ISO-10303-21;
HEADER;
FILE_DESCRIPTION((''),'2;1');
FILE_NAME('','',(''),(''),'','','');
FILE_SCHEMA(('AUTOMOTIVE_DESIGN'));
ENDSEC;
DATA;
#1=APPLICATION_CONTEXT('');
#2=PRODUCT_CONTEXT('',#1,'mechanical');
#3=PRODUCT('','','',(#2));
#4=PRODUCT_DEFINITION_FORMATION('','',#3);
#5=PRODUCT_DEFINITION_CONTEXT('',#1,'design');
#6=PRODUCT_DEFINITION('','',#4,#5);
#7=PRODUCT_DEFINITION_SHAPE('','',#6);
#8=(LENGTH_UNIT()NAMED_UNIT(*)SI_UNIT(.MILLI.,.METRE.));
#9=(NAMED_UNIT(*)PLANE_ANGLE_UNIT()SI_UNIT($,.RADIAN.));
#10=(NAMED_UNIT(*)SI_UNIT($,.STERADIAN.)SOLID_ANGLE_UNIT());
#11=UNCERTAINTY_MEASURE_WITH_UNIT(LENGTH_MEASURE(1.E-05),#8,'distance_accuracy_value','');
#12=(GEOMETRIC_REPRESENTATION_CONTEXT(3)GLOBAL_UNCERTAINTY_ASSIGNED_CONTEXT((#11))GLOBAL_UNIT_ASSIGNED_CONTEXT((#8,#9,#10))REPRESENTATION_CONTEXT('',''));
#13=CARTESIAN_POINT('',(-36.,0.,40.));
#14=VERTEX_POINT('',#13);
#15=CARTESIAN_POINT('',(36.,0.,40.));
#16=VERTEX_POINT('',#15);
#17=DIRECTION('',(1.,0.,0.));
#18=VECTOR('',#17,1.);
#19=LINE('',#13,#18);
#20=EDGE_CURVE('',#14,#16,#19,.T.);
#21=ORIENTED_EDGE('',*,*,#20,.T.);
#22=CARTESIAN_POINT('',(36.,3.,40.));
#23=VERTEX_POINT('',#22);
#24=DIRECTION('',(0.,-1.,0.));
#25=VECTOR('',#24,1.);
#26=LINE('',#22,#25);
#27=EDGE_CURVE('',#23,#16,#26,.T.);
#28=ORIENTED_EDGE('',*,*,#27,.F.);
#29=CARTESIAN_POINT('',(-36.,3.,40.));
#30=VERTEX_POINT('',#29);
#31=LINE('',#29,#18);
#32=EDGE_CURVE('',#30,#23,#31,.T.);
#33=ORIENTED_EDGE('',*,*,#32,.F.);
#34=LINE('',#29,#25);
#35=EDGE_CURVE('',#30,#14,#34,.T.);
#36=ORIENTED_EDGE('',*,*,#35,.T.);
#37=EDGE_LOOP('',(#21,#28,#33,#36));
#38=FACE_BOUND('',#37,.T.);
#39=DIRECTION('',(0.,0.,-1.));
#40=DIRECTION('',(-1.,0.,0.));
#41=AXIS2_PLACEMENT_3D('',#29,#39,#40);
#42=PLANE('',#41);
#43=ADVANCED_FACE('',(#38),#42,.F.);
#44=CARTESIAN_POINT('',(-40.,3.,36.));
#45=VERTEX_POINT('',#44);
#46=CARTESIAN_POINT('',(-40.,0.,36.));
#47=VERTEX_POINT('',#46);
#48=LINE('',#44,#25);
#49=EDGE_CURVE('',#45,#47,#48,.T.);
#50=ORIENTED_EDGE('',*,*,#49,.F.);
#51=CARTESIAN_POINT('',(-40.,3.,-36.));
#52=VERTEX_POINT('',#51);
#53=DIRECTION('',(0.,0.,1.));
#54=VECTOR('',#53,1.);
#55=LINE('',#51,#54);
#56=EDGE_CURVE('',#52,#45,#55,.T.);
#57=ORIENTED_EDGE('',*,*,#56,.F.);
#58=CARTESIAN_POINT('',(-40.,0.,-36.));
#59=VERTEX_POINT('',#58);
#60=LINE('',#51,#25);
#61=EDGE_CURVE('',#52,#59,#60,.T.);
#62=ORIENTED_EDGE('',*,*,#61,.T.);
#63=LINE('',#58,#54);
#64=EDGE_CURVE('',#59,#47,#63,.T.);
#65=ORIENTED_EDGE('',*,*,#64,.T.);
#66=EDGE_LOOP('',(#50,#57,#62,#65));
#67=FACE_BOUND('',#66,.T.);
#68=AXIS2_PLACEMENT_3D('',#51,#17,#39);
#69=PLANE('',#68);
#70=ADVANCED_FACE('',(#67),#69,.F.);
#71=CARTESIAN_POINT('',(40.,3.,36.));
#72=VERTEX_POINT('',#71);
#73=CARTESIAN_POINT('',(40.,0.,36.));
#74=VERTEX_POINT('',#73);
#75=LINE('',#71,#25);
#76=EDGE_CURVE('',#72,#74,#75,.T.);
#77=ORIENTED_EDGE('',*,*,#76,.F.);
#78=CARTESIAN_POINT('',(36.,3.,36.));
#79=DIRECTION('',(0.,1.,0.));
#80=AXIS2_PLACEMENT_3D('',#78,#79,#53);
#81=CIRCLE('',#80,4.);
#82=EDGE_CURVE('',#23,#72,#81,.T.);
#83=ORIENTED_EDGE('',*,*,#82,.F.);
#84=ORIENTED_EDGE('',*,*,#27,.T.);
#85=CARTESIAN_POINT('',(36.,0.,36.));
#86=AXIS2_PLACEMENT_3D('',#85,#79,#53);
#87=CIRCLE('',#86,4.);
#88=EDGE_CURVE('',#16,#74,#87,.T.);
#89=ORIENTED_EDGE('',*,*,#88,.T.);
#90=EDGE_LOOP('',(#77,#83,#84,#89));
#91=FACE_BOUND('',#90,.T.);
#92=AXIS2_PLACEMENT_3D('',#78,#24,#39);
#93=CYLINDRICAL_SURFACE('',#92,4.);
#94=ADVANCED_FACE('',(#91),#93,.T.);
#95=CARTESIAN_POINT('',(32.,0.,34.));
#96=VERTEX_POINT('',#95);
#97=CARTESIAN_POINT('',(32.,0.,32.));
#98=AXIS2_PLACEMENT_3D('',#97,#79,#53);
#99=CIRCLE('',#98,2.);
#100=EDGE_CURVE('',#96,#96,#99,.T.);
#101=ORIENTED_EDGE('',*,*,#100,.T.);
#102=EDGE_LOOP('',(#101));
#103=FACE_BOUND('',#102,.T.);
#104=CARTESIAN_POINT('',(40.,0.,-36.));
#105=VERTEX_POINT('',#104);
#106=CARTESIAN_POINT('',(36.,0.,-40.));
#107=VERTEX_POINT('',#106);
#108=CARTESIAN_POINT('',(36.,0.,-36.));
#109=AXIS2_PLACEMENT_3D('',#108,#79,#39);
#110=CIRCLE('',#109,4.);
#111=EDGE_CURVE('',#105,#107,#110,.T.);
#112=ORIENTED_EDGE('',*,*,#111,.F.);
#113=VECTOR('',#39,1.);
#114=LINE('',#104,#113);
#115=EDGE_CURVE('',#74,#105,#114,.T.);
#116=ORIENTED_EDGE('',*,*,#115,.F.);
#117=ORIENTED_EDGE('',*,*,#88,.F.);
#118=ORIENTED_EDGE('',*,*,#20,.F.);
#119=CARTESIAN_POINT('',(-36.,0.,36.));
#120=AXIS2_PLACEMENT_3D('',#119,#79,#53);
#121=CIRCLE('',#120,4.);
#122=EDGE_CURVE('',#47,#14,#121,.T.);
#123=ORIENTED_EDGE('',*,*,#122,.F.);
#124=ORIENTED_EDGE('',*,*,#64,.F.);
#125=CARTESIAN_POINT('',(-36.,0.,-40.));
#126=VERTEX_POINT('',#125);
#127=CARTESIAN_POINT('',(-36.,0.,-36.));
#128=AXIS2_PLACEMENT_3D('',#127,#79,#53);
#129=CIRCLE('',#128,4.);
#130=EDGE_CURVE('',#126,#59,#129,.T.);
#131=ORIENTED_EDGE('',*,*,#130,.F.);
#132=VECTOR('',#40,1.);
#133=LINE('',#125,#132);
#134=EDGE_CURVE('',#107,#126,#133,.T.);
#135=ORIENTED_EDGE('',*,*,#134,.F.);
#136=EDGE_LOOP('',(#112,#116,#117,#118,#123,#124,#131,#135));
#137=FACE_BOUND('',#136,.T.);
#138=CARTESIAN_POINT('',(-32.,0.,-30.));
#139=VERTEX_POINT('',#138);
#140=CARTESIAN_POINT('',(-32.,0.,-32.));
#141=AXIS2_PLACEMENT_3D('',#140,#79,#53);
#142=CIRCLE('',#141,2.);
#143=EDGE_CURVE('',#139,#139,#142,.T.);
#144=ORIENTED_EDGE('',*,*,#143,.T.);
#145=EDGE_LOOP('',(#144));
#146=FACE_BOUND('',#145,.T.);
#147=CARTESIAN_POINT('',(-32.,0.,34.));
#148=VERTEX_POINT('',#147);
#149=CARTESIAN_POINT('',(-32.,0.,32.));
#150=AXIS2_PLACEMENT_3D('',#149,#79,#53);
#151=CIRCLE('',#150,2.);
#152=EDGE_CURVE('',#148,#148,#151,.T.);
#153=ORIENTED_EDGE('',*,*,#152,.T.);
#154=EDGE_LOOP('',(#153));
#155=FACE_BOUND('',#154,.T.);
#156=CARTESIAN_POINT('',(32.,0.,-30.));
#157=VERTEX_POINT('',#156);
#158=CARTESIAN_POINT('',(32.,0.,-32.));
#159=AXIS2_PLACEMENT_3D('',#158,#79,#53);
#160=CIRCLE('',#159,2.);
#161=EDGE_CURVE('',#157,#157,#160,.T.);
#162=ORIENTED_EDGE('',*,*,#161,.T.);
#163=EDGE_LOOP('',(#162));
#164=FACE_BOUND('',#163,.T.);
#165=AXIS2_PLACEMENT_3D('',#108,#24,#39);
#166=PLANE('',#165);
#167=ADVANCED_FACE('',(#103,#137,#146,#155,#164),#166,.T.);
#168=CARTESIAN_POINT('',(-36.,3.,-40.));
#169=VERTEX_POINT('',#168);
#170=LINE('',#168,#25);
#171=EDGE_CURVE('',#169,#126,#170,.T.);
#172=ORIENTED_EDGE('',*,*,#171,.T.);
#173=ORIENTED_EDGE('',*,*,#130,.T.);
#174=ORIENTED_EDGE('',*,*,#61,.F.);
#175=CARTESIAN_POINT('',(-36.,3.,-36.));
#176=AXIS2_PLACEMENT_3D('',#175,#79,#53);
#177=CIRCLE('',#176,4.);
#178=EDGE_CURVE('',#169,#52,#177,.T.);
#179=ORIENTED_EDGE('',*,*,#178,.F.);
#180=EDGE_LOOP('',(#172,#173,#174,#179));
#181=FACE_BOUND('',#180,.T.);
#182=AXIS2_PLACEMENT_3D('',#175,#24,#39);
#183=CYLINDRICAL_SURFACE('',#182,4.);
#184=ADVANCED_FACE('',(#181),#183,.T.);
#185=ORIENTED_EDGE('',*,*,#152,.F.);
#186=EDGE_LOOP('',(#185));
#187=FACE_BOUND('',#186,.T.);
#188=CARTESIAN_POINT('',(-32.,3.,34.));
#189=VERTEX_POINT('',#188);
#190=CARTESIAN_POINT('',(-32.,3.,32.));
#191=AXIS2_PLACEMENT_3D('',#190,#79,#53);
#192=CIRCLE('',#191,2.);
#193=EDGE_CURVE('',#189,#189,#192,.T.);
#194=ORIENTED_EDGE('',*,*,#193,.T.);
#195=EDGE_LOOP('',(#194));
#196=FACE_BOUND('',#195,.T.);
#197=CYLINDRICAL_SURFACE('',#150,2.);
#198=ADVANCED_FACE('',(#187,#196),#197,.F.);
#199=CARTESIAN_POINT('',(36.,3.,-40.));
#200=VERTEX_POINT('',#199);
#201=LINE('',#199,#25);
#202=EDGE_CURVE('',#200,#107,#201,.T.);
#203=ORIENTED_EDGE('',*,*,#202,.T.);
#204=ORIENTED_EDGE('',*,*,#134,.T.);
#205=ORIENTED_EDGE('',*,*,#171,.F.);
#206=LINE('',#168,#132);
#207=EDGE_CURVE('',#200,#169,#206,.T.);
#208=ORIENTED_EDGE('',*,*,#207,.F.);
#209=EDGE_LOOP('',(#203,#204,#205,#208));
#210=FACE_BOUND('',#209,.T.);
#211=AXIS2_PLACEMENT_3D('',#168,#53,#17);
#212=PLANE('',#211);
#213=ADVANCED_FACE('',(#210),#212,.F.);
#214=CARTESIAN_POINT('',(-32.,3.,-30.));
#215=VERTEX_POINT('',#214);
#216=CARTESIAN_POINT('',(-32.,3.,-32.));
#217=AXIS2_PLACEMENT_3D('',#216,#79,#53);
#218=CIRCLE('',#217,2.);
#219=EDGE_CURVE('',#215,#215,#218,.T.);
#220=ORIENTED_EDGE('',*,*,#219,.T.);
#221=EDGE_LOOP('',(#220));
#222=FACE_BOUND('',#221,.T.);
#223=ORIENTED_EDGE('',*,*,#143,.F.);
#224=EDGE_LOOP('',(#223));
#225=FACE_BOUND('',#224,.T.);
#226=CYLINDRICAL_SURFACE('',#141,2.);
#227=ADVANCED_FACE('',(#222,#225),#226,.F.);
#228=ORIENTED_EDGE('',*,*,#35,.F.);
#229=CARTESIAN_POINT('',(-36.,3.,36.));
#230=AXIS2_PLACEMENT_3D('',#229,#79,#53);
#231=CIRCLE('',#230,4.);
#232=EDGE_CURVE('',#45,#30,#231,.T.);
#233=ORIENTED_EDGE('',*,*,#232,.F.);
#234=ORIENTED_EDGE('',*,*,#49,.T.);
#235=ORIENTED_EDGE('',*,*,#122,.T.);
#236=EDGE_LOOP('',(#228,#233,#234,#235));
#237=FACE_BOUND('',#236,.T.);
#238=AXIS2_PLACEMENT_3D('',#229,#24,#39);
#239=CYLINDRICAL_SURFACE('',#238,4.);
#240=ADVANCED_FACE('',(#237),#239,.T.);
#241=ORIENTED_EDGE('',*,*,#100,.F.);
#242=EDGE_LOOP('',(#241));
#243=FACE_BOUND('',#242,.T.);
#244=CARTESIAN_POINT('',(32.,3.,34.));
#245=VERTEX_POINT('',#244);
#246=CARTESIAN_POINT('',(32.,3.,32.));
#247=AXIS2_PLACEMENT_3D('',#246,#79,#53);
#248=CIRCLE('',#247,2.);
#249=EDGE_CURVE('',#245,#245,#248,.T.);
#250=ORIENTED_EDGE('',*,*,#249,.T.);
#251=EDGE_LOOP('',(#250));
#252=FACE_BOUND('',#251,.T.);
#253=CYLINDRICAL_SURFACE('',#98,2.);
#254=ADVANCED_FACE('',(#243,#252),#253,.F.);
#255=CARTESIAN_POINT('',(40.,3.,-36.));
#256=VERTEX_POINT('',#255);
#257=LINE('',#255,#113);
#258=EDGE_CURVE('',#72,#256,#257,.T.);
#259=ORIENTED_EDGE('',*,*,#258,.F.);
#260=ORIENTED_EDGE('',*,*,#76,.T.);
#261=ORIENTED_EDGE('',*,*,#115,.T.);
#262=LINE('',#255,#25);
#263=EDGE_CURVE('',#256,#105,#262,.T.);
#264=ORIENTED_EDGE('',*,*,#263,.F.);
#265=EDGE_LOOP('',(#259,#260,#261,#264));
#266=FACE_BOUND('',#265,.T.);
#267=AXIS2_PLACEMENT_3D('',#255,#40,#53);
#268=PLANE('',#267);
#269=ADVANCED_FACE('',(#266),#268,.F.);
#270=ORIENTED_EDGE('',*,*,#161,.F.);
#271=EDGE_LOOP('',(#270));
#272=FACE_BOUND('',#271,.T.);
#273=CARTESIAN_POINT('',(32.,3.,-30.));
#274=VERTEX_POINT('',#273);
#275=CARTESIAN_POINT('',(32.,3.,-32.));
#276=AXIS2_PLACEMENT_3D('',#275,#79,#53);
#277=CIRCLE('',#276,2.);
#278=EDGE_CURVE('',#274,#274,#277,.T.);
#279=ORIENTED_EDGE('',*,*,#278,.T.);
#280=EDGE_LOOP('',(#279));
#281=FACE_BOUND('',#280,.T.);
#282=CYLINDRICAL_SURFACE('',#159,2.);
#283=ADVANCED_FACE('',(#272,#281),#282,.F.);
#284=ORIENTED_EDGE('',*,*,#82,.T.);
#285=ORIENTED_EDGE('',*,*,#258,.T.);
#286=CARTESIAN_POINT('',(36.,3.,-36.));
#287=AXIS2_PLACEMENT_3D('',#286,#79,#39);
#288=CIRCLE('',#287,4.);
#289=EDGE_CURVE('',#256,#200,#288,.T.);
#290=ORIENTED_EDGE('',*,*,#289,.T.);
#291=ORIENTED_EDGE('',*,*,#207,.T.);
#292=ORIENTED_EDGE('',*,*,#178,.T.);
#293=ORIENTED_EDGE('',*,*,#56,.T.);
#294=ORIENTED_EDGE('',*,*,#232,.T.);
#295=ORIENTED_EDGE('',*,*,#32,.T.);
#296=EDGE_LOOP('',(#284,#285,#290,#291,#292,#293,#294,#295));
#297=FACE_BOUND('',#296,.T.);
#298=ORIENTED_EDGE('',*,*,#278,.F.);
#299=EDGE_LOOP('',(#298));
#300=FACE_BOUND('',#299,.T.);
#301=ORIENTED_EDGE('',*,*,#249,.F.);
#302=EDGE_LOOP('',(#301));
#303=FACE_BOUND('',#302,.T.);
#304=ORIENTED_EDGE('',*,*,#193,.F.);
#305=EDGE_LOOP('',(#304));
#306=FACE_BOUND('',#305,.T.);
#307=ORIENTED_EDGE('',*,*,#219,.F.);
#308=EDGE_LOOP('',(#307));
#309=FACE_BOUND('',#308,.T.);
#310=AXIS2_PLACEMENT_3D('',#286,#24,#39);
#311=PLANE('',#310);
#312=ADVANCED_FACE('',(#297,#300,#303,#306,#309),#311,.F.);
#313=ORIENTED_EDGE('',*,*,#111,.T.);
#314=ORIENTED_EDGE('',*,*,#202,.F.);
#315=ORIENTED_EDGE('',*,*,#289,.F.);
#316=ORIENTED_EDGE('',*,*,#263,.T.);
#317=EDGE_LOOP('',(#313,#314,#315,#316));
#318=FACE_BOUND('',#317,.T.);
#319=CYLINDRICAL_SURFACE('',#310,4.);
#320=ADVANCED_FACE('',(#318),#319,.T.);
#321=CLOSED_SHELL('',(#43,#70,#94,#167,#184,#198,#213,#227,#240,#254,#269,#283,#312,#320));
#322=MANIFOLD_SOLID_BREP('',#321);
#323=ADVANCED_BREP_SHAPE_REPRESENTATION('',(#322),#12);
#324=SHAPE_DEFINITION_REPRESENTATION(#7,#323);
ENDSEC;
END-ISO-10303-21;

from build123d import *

# Parameters (mm, degrees)
BOSS_EXTRU_1_DEPTH      = 3
ESQUISSE2_R             = 2
ENL_V_MAT_EXTRU_1_DEPTH = 57.648036153


with BuildPart() as part:
    # Esquisse1 → Boss.-Extru.1 (new body)
    with BuildSketch(Plane(origin=(0, 0, 0), x_dir=(1, 0, 0), z_dir=(0, 1, 0))):
        with BuildLine():
            Line((-36, 40), (36, 40))
            ThreePointArc((36, 40), (38.828427125, 38.828427125), (40, 36))
            Line((40, 36), (40, -36))
            ThreePointArc((40, -36), (38.828427125, -38.828427125), (36, -40))
            Line((36, -40), (-36, -40))
            ThreePointArc((-36, -40), (-38.828427125, -38.828427125), (-40, -36))
            Line((-40, -36), (-40, 36))
            ThreePointArc((-40, 36), (-38.828427125, 38.828427125), (-36, 40))
        make_face()
    extrude(amount=BOSS_EXTRU_1_DEPTH)

    # Esquisse2 → Enlèv. mat.-Extru.1 (cut, through all)
    with BuildSketch(Plane(origin=(0, 3, 0), x_dir=(1, 0, 0), z_dir=(0, 1, 0))):
        with Locations(Location((-32, 32, 0), (0, 0, 270))):
            Circle(ESQUISSE2_R)
        with Locations(Location((32, 32, 0), (0, 0, 270))):
            Circle(ESQUISSE2_R)
        with Locations(Location((32, -32, 0), (0, 0, 270))):
            Circle(ESQUISSE2_R)
        with Locations(Location((-32, -32, 0), (0, 0, 270))):
            Circle(ESQUISSE2_R)
    extrude(amount=-ENL_V_MAT_EXTRU_1_DEPTH, mode=Mode.SUBTRACT)


solid = part.part
